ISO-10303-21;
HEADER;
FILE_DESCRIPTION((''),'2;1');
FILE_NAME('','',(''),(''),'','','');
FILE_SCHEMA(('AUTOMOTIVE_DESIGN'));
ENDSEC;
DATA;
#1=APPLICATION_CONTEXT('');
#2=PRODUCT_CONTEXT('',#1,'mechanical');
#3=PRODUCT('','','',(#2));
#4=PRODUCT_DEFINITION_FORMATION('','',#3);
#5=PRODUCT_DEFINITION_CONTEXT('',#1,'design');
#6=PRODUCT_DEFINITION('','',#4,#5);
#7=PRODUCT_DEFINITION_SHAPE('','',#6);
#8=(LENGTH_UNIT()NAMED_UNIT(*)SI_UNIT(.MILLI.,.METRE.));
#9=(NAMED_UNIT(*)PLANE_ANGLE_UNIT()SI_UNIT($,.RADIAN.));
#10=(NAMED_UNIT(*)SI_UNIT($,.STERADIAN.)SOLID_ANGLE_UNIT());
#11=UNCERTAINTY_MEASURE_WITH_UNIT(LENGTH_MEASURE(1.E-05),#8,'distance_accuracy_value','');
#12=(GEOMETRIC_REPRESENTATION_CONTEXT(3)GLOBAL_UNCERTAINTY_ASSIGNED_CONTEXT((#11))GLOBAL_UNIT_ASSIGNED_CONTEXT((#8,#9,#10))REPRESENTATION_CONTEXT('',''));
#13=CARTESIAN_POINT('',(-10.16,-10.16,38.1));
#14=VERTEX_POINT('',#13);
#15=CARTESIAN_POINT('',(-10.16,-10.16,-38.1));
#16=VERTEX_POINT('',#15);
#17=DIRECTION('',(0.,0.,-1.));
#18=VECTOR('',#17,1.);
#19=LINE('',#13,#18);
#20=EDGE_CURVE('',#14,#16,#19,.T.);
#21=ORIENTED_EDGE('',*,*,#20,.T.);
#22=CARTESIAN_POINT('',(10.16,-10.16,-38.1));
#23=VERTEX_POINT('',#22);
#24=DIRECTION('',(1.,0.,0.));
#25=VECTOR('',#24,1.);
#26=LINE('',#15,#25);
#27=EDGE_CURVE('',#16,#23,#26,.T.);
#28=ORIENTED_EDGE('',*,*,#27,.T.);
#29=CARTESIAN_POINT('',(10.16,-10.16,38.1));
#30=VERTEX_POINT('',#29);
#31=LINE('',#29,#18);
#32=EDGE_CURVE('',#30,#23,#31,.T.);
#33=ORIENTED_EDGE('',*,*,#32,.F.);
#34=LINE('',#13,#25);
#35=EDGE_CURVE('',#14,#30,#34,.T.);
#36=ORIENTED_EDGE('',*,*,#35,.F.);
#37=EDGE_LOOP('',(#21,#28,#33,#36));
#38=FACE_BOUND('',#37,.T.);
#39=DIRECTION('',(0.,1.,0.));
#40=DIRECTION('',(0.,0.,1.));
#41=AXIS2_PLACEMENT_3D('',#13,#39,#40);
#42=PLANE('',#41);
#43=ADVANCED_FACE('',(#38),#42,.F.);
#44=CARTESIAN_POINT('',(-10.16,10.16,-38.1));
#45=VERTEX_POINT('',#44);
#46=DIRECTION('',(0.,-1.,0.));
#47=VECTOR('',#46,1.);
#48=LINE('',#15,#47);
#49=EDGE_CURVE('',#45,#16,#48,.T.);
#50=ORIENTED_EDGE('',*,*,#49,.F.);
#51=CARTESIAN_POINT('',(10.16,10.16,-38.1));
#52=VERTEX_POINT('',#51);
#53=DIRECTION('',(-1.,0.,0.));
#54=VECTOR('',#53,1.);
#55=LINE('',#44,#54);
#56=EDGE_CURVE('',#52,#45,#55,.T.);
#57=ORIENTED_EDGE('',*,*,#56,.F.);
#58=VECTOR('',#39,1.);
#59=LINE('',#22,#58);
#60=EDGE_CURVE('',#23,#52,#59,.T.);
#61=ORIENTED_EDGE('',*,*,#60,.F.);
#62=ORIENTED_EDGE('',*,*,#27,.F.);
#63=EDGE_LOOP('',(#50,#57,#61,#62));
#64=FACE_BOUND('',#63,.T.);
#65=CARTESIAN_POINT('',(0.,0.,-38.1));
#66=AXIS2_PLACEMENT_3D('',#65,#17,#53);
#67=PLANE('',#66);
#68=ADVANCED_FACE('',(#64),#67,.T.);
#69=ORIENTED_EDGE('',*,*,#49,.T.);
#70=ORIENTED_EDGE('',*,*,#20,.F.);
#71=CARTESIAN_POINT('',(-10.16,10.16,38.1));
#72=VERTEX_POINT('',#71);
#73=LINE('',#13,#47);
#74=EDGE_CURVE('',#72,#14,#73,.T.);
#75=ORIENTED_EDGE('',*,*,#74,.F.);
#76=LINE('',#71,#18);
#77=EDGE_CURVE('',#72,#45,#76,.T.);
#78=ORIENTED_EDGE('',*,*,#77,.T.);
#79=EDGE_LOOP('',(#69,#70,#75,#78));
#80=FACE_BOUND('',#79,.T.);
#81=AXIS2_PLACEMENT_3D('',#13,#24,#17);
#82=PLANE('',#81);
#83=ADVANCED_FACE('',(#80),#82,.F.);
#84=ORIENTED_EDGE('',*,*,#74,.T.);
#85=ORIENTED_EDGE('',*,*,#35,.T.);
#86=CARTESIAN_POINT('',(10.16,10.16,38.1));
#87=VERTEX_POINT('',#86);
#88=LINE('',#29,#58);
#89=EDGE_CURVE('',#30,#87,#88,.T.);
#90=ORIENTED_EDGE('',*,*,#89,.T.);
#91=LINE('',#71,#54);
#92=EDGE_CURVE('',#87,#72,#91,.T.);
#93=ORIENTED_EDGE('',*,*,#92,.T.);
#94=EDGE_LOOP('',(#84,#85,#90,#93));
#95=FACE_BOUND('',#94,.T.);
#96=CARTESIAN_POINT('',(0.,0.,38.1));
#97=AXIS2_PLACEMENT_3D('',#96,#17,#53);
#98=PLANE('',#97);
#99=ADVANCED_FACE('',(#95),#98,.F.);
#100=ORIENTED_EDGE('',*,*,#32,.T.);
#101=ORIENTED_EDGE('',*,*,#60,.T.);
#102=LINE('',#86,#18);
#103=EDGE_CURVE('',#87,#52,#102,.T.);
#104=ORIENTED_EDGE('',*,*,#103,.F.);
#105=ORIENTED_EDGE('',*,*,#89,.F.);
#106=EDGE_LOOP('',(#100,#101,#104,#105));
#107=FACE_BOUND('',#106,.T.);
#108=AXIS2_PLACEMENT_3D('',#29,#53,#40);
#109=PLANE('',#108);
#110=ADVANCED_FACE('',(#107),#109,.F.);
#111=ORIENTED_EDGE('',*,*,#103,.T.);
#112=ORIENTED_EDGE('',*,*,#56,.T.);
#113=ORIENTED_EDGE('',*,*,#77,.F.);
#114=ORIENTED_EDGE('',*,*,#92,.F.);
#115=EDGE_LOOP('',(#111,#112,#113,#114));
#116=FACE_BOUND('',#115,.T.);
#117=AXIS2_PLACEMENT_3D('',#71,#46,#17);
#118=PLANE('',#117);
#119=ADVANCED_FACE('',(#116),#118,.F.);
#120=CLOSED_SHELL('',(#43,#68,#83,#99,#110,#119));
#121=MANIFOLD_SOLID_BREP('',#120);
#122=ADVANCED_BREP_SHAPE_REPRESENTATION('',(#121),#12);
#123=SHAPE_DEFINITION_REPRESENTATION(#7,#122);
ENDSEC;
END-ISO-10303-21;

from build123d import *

# Parameters (mm, degrees)
SKETCH7_W           = 20.32
SKETCH7_H           = 20.32
BOSS_EXTRUDE3_DEPTH = 38.1


with BuildPart() as part:
    # Sketch7 → Boss-Extrude3 (new body, symmetric)
    with BuildSketch(Plane.XY):
        Rectangle(SKETCH7_W, SKETCH7_H)
    extrude(amount=BOSS_EXTRUDE3_DEPTH, both=True)


solid = part.part
